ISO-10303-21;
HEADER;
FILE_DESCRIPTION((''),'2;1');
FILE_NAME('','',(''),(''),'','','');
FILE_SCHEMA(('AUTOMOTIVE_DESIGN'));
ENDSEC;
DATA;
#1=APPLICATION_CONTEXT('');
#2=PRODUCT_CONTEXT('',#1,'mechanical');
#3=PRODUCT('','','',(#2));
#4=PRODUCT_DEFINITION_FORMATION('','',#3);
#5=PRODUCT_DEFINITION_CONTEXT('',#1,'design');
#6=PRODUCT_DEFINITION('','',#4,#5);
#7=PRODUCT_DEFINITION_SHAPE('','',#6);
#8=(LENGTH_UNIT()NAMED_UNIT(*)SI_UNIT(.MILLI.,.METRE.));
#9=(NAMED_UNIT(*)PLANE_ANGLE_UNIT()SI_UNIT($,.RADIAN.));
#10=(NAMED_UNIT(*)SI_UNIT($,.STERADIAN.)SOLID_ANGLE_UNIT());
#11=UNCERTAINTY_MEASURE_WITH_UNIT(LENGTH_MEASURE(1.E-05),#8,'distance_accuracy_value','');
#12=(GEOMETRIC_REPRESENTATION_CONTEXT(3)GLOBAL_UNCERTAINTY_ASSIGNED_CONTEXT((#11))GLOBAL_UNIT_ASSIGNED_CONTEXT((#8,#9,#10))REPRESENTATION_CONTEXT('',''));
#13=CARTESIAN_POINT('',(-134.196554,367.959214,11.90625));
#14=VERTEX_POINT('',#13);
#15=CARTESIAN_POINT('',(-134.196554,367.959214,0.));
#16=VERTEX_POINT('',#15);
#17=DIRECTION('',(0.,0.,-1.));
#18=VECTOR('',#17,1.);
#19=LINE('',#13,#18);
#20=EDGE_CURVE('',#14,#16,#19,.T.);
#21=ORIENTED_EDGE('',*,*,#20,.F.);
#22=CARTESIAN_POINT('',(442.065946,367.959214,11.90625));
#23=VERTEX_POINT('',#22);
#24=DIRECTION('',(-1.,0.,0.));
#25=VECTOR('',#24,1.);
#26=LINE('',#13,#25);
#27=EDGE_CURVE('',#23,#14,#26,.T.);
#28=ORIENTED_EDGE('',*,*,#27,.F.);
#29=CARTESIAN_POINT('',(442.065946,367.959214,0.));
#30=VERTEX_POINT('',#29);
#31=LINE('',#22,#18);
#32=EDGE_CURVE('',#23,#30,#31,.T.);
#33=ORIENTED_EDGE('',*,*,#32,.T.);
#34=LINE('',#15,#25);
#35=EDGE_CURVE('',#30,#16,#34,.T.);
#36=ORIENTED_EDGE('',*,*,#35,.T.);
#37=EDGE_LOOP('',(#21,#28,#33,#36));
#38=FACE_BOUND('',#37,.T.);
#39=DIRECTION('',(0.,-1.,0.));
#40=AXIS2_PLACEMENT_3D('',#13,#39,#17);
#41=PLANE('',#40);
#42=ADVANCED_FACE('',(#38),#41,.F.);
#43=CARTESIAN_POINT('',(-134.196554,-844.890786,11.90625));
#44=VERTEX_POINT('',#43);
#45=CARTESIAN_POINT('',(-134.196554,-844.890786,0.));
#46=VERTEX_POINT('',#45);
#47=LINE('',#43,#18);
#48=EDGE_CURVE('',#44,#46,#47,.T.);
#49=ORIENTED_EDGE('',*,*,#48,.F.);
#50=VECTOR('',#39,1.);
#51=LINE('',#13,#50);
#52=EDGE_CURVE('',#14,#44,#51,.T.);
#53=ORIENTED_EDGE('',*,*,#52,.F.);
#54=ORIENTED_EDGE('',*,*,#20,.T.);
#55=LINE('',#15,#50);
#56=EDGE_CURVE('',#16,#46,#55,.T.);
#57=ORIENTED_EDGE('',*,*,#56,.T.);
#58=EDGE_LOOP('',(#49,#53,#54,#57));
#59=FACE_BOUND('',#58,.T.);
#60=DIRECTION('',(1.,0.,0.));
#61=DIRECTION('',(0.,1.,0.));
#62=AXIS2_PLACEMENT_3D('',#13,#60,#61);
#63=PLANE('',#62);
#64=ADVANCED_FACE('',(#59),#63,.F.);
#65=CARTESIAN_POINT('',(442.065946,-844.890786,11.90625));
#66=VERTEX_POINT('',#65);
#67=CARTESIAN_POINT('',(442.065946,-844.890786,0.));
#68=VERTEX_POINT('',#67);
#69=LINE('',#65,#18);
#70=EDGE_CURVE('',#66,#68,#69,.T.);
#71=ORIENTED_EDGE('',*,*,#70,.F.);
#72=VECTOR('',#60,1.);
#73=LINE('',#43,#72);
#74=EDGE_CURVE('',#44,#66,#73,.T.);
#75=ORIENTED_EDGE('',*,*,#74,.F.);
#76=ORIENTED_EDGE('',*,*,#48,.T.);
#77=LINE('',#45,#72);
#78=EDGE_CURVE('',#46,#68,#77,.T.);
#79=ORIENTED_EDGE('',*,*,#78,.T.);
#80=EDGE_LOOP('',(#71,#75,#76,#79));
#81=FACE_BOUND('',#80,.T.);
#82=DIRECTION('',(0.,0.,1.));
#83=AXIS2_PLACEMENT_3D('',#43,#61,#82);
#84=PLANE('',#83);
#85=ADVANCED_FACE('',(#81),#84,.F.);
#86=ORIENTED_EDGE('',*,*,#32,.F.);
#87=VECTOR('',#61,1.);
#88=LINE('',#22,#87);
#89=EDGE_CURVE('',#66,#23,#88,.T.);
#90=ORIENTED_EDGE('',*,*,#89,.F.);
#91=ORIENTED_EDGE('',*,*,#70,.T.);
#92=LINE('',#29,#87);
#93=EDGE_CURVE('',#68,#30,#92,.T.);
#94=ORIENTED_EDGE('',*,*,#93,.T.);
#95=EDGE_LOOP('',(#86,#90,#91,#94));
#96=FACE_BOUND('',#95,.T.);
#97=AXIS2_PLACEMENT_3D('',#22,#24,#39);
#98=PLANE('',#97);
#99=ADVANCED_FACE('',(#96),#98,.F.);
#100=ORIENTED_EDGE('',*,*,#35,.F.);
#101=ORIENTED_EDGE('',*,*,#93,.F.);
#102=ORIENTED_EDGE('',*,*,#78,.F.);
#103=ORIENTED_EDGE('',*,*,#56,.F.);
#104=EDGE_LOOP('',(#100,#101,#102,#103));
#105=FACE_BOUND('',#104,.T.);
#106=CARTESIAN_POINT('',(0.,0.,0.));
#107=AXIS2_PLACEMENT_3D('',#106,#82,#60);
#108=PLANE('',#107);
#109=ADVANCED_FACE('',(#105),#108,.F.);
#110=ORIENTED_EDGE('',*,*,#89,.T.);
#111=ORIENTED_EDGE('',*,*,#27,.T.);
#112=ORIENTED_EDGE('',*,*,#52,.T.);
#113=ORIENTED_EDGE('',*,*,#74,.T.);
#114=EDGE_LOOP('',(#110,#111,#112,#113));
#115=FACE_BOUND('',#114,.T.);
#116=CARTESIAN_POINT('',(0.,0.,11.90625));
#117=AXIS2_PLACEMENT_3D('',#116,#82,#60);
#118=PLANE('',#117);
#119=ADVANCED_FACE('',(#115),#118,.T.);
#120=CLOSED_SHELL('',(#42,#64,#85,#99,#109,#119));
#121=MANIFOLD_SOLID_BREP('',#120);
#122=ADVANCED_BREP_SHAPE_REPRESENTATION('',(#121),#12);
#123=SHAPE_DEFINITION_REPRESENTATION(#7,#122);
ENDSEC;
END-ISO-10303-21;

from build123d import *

# Parameters (mm, degrees)
SKETCH1_W           = 576.2625
SKETCH1_H           = 1212.85
BOSS_EXTRUDE1_DEPTH = 11.90625


with BuildPart() as part:
    # Sketch1 → Boss-Extrude1 (new body)
    with BuildSketch(Plane.XY):
        with Locations((153.934696394, -238.465786271)):
            Rectangle(SKETCH1_W, SKETCH1_H)
    extrude(amount=BOSS_EXTRUDE1_DEPTH)


solid = part.part
